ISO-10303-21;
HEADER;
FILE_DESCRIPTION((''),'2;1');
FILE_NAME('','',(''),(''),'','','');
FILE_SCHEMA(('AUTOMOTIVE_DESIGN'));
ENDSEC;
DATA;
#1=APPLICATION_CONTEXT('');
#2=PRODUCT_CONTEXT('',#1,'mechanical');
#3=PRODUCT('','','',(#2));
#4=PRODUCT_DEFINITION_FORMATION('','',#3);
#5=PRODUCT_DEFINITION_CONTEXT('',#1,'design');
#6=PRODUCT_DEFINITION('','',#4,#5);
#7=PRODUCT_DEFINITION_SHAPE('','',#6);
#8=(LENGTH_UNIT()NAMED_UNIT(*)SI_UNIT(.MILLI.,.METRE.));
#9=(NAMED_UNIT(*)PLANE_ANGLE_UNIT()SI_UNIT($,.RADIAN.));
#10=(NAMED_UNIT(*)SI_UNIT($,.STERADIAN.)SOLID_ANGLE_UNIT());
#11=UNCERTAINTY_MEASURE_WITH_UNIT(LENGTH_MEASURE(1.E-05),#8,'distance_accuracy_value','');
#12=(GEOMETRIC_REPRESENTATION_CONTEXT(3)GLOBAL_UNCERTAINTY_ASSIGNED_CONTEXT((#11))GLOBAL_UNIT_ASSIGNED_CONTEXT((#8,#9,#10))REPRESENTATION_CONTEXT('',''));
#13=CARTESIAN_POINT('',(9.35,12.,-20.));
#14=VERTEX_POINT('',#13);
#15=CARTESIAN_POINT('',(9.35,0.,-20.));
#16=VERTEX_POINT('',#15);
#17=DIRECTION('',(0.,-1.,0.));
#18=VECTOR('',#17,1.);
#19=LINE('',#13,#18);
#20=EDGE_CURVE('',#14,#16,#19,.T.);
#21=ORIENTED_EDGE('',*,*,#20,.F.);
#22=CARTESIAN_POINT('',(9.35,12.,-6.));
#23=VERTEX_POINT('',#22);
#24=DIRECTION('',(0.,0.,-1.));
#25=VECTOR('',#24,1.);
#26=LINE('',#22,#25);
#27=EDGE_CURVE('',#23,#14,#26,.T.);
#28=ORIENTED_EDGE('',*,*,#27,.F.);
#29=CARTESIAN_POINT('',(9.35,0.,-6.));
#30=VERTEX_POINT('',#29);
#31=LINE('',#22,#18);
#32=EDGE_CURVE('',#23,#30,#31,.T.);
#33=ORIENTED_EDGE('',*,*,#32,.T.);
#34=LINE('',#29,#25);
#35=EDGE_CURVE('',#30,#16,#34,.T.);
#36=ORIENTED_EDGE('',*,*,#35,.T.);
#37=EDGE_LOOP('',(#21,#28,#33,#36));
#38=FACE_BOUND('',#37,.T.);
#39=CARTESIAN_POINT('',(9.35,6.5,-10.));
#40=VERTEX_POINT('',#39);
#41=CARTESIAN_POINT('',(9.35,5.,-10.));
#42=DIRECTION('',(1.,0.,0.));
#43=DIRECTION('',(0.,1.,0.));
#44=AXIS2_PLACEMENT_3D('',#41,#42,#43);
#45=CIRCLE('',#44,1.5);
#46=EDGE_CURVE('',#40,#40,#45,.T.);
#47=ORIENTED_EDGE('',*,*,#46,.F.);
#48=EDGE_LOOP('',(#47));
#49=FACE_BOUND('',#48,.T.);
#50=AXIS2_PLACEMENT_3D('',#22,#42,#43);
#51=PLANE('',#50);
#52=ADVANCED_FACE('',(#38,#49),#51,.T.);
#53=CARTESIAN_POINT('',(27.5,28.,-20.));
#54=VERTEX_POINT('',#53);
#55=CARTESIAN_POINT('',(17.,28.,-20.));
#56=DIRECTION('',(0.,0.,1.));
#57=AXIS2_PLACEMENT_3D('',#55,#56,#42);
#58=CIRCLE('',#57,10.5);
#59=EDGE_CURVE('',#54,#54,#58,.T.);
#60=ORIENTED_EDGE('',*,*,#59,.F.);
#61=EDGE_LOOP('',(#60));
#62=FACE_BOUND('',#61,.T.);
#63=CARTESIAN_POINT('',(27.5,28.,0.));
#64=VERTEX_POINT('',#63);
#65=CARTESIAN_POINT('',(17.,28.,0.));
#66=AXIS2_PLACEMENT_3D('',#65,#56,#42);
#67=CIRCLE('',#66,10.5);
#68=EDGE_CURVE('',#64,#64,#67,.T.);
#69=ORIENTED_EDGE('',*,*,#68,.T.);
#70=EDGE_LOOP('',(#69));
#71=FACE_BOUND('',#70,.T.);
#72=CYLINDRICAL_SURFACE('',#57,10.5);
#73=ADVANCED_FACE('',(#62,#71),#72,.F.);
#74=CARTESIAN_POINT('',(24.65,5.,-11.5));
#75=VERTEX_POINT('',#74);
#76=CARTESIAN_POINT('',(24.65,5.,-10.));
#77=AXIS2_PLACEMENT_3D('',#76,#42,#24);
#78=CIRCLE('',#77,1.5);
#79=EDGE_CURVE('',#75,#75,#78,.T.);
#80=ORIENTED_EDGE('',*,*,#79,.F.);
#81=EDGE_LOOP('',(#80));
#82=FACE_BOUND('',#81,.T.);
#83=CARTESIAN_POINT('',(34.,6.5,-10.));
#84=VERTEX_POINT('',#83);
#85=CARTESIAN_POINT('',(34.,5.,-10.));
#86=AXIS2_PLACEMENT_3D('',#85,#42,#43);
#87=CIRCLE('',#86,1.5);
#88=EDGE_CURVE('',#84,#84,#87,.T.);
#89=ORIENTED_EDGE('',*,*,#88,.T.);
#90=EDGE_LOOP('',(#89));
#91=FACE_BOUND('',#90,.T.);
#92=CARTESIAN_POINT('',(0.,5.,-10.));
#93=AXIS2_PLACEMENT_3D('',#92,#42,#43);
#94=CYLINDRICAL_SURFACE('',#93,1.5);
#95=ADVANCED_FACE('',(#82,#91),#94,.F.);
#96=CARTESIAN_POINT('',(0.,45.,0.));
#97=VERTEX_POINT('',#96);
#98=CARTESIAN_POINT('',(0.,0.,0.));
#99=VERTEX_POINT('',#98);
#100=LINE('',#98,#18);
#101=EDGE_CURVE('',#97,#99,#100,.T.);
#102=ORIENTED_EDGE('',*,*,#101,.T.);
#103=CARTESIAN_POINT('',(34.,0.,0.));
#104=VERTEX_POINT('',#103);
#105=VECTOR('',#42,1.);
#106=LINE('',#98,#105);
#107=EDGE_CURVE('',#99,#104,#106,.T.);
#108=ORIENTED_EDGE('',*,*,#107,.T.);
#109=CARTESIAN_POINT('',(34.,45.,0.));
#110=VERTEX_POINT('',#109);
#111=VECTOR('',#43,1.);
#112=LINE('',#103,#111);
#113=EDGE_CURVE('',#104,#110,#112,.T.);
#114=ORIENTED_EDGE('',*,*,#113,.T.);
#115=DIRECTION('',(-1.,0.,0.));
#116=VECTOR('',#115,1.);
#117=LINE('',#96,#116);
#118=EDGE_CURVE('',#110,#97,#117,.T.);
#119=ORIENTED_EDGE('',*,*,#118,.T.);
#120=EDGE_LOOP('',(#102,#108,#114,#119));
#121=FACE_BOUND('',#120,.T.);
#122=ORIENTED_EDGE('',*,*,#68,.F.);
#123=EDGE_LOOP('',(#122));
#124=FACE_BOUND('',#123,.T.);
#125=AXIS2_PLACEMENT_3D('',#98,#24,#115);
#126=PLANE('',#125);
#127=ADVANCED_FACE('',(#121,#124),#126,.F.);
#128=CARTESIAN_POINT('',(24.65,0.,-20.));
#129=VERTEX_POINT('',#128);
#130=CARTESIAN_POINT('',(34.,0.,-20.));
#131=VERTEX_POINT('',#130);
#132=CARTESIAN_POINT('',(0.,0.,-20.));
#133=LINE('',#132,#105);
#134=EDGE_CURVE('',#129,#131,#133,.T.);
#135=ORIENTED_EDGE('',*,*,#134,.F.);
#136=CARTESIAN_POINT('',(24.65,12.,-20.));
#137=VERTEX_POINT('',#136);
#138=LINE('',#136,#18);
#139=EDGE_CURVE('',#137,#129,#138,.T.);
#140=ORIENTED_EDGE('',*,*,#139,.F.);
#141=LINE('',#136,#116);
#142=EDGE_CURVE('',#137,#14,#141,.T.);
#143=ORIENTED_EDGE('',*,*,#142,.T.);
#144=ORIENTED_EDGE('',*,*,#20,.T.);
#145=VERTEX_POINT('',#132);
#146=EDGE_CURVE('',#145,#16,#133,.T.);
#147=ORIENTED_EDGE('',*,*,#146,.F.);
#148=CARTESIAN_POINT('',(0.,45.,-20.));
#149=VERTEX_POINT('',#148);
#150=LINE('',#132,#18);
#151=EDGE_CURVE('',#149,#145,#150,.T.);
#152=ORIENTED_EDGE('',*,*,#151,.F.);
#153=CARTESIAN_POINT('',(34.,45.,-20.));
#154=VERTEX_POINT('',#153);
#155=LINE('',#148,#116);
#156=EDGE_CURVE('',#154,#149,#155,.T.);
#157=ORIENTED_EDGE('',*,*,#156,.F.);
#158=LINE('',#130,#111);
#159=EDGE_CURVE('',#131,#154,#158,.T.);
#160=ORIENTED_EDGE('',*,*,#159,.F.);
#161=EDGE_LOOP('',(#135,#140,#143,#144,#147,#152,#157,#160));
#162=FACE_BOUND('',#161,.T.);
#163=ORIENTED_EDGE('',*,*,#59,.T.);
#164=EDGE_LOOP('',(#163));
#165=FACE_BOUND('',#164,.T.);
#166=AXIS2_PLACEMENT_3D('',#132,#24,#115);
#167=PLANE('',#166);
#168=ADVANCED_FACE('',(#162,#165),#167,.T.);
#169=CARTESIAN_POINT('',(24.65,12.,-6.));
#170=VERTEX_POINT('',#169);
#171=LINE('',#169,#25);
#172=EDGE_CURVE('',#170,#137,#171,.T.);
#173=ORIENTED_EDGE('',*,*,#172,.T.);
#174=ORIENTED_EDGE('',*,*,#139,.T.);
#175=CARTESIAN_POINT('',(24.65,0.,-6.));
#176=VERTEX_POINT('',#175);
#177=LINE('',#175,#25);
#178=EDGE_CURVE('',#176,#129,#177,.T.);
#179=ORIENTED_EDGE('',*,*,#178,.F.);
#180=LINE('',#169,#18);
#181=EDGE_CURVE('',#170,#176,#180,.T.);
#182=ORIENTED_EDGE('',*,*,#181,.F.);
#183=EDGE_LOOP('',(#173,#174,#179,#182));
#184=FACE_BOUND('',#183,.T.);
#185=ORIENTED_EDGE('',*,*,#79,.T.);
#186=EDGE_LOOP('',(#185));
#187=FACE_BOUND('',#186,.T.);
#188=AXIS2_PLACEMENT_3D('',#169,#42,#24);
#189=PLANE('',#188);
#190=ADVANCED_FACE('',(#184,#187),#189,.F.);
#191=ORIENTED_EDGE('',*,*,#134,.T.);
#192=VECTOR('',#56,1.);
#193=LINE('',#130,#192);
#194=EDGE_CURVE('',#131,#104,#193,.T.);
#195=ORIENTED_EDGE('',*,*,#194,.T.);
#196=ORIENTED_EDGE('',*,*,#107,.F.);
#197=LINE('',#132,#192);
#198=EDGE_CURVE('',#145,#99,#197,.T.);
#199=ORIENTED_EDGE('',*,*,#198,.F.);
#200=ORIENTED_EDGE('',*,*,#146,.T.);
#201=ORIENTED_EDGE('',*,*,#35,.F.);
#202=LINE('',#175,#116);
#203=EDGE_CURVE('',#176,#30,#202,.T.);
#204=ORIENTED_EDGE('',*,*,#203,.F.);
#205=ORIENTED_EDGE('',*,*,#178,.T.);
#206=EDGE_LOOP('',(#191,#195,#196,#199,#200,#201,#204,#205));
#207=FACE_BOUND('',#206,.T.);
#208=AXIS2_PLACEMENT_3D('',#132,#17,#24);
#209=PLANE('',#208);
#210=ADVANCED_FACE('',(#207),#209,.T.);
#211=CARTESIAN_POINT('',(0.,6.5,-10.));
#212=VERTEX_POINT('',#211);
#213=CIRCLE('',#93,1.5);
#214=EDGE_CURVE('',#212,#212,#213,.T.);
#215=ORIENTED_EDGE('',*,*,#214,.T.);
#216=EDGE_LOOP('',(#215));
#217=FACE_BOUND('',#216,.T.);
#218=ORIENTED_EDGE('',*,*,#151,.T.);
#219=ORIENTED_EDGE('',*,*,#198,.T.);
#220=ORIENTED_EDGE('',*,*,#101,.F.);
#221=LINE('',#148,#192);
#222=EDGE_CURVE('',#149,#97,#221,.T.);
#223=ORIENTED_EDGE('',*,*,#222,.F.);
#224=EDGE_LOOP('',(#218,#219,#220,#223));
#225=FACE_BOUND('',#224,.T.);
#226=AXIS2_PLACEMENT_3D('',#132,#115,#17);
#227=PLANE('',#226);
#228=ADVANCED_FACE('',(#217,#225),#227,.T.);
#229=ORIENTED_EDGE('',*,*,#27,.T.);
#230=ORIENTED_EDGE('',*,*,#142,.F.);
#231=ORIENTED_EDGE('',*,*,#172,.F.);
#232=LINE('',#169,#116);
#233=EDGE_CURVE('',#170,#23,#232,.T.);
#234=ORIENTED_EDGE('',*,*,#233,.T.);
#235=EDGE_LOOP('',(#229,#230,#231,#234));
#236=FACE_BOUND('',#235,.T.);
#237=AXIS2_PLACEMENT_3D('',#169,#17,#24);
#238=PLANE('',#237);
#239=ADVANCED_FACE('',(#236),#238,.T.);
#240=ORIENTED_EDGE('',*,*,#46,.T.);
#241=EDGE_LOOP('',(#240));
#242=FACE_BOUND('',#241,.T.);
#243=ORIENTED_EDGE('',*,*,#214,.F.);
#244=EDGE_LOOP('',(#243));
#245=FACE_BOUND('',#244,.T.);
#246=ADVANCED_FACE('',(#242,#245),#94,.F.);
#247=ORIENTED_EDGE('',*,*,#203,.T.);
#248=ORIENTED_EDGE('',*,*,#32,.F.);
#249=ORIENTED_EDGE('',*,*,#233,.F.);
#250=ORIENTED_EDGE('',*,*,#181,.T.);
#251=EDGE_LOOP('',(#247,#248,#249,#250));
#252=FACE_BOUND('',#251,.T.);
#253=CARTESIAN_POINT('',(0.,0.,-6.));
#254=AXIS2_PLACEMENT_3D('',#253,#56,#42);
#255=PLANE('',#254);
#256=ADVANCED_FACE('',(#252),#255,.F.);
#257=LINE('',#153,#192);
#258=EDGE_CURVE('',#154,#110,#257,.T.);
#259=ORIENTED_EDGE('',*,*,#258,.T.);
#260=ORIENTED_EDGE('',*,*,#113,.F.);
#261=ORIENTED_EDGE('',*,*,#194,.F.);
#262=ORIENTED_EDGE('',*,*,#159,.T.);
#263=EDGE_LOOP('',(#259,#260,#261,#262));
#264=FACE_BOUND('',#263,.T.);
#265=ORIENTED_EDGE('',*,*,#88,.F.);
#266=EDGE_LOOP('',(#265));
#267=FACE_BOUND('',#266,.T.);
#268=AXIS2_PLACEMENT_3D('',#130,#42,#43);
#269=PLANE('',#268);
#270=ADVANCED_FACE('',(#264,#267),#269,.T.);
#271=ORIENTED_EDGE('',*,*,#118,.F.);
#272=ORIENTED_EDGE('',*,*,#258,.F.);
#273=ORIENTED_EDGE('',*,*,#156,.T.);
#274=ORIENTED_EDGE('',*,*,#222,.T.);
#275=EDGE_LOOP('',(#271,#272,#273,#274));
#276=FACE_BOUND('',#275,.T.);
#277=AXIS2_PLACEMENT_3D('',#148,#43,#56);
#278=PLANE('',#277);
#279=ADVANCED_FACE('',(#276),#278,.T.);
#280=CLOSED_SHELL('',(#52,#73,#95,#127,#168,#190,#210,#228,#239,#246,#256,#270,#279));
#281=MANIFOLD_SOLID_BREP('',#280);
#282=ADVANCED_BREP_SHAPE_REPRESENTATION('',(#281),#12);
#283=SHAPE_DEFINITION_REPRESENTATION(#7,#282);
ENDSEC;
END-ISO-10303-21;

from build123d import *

# Parameters (mm, degrees)
SKETCH_3_W          = 34
SKETCH_3_H          = 45
EXTRUDE_1_DEPTH     = 20
SKETCH_4_R          = 10.5
CUT_EXTRUDE_1_DEPTH = 60.841457202
SKETCH_7_W          = 15.3
SKETCH_7_H          = 12
CUT_EXTRUDE_2_DEPTH = 14
SKETCH_9_R          = 1.5
CUT_EXTRUDE_3_DEPTH = 60.841457202


with BuildPart() as part:
    # 草图3 → 凸台-拉伸1 (new body)
    with BuildSketch(Plane.XY):
        with Locations((17, 22.5)):
            Rectangle(SKETCH_3_W, SKETCH_3_H)
    extrude(amount=-EXTRUDE_1_DEPTH)

    # 草图4 → 切除-拉伸1 (cut, through all)
    with BuildSketch(Plane.XY):
        with Locations((17, 28)):
            Circle(SKETCH_4_R)
    extrude(amount=-CUT_EXTRUDE_1_DEPTH, mode=Mode.SUBTRACT)

    # 草图7 → 切除-拉伸2 (cut)
    with BuildSketch(Plane(origin=(0, 0, -20), x_dir=(-1, 0, 0), z_dir=(0, 0, -1))):
        with Locations((-17, 6)):
            Rectangle(SKETCH_7_W, SKETCH_7_H)
    extrude(amount=-CUT_EXTRUDE_2_DEPTH, mode=Mode.SUBTRACT)

    # 草图9 → 切除-拉伸3 (cut, through all)
    with BuildSketch(Plane(origin=(34, 0, 0), x_dir=(0, 0, -1), z_dir=(1, 0, 0))):
        with Locations(Location((10, 5, 0), (0, 0, 90))):
            Circle(SKETCH_9_R)
    extrude(amount=-CUT_EXTRUDE_3_DEPTH, mode=Mode.SUBTRACT)


solid = part.part
